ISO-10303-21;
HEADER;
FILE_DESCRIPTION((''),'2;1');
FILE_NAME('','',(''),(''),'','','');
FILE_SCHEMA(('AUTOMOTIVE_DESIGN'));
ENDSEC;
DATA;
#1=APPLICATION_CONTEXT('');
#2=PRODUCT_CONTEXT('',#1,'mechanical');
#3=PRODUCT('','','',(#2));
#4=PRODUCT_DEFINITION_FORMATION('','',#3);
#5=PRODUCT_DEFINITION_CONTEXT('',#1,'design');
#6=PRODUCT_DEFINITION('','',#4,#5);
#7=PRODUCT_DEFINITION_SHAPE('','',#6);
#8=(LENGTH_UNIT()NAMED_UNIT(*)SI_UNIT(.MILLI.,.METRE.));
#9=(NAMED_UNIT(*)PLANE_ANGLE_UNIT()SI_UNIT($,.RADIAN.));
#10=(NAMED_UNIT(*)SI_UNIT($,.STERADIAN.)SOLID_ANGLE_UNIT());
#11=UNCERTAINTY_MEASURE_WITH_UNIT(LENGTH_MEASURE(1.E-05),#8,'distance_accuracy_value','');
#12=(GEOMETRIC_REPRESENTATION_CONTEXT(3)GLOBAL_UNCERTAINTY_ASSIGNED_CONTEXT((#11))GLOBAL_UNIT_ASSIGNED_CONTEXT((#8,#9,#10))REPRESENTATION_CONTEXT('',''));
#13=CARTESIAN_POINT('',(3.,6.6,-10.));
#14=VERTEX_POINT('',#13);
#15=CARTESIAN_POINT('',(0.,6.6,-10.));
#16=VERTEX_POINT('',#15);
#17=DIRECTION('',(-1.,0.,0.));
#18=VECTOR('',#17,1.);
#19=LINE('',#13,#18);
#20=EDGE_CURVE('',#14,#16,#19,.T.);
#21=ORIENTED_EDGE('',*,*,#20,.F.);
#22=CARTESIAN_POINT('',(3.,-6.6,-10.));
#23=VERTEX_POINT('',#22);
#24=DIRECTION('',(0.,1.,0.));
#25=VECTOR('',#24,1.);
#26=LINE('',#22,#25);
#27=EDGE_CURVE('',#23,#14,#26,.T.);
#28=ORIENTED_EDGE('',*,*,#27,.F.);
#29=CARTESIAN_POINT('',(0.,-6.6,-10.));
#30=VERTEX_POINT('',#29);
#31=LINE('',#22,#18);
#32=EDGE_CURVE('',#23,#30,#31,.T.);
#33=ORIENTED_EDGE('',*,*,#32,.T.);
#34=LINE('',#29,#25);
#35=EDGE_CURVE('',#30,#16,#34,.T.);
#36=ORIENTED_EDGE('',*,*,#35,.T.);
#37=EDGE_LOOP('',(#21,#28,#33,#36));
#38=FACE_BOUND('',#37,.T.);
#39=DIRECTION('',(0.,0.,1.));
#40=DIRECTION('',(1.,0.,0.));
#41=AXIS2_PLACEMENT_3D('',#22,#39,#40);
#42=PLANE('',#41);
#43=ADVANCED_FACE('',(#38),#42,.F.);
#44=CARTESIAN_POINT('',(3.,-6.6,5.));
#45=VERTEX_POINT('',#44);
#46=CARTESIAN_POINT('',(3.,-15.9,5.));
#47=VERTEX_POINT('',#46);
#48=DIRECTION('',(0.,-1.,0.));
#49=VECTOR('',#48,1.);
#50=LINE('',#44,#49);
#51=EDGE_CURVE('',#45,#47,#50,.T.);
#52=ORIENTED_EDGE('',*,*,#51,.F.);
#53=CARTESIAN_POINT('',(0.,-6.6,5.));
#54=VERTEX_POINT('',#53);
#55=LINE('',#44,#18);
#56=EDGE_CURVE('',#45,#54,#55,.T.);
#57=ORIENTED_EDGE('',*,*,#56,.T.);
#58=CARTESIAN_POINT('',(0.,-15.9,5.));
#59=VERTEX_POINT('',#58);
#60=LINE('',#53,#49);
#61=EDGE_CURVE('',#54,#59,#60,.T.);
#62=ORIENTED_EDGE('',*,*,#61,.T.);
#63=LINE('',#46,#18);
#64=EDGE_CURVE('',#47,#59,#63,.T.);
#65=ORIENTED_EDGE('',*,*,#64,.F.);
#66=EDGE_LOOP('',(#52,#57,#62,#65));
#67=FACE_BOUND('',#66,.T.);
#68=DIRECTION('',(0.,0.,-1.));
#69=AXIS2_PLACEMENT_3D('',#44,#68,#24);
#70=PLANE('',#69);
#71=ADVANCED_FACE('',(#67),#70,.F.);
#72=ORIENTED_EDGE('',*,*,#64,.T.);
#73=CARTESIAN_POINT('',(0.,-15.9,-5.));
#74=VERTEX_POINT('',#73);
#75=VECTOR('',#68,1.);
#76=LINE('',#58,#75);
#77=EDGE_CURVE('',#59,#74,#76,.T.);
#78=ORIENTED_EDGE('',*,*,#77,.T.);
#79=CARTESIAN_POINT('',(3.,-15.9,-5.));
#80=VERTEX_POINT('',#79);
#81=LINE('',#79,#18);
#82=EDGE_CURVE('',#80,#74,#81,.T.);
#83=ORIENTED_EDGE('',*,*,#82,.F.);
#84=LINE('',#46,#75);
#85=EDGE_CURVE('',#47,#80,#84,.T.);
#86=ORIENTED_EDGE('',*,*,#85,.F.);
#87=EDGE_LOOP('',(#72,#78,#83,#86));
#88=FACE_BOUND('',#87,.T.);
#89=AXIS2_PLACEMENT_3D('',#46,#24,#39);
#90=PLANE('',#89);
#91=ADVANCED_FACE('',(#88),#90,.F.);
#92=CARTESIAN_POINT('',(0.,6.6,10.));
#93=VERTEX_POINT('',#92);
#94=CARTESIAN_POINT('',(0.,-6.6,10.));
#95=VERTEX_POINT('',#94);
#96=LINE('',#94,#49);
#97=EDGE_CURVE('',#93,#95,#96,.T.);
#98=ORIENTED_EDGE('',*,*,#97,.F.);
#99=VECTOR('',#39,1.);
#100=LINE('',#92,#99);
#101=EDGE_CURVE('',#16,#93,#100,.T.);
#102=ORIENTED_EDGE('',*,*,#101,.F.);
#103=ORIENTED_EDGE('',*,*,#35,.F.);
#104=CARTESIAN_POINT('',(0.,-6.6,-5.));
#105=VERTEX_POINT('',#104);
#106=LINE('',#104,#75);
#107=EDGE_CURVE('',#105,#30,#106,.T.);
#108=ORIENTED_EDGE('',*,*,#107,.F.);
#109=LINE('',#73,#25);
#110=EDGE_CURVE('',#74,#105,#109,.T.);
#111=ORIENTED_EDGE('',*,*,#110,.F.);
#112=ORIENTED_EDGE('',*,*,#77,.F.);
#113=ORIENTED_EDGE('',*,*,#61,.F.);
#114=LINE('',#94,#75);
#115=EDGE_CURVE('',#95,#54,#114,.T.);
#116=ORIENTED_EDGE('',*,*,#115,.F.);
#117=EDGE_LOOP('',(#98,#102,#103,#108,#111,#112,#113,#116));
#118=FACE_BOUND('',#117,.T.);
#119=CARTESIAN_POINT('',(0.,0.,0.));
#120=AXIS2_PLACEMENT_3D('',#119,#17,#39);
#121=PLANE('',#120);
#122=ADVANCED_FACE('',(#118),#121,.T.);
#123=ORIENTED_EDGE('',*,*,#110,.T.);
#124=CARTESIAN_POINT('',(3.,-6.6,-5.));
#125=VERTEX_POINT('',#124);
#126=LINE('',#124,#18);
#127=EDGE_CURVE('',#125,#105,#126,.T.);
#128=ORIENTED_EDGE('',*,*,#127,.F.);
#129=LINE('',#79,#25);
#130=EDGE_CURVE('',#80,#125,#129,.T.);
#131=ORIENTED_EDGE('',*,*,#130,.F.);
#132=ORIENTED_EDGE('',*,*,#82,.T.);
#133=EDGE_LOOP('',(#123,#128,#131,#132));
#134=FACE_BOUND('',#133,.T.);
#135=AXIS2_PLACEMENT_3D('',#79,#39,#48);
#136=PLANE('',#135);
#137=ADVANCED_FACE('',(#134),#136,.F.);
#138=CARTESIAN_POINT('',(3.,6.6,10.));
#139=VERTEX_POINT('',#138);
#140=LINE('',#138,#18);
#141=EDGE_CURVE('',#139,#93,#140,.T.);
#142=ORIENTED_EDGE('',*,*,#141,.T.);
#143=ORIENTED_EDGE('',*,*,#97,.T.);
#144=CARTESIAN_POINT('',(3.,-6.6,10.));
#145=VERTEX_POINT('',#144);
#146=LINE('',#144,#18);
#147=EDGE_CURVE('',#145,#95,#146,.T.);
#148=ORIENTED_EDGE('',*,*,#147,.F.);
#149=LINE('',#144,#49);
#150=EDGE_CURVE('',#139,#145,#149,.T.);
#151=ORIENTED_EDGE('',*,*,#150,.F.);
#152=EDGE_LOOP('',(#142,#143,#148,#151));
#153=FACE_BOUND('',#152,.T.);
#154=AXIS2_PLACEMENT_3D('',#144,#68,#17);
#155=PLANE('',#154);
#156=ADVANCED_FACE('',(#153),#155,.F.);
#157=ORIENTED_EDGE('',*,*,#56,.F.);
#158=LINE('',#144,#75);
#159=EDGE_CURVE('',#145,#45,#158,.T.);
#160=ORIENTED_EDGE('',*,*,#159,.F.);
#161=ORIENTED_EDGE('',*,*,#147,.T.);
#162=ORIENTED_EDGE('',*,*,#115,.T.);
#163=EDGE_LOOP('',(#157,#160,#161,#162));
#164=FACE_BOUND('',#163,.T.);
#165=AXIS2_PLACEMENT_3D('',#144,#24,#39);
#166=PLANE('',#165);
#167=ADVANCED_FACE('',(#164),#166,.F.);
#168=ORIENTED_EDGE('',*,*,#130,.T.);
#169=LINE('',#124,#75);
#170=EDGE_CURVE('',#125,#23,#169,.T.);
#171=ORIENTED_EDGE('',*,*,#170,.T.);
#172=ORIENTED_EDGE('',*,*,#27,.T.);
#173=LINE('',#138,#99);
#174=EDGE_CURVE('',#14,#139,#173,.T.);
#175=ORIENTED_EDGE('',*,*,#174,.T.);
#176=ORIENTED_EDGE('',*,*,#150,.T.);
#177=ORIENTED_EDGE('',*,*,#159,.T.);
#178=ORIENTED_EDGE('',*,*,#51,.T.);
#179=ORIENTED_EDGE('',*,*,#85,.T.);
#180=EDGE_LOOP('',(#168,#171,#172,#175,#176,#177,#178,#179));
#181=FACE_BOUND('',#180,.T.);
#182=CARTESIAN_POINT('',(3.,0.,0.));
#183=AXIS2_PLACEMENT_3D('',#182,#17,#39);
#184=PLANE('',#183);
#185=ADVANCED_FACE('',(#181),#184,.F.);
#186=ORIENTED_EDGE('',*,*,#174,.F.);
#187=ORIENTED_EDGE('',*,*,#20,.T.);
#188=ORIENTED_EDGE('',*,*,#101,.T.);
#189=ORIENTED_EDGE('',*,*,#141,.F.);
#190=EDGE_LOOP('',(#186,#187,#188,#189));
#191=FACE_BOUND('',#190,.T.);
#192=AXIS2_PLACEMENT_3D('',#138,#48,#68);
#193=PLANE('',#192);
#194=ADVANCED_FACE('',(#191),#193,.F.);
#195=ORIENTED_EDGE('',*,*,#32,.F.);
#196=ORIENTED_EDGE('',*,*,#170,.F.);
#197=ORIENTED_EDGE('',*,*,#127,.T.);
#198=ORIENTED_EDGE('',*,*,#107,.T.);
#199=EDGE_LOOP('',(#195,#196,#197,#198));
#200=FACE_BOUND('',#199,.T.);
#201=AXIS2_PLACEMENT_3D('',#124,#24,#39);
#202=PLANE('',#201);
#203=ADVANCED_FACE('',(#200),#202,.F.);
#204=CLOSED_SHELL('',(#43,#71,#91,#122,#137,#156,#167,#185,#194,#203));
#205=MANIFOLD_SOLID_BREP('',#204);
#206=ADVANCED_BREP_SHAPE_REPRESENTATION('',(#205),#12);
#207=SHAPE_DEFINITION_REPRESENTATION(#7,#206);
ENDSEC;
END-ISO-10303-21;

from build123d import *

# Parameters (mm, degrees)
BOSS_EXTRUDE1_DEPTH = 3


with BuildPart() as part:
    # Sketch1 → Boss-Extrude1 (new body)
    with BuildSketch(Plane(origin=(0, 0, 0), x_dir=(0, 0, -1), z_dir=(1, 0, 0))):
        Polygon((-5, -6.6), (-5, -15.9), (5, -15.9), (5, -6.6), (10, -6.6), (10, 6.6), (-10, 6.6), (-10, -6.6), align=None)
    extrude(amount=BOSS_EXTRUDE1_DEPTH)


solid = part.part
